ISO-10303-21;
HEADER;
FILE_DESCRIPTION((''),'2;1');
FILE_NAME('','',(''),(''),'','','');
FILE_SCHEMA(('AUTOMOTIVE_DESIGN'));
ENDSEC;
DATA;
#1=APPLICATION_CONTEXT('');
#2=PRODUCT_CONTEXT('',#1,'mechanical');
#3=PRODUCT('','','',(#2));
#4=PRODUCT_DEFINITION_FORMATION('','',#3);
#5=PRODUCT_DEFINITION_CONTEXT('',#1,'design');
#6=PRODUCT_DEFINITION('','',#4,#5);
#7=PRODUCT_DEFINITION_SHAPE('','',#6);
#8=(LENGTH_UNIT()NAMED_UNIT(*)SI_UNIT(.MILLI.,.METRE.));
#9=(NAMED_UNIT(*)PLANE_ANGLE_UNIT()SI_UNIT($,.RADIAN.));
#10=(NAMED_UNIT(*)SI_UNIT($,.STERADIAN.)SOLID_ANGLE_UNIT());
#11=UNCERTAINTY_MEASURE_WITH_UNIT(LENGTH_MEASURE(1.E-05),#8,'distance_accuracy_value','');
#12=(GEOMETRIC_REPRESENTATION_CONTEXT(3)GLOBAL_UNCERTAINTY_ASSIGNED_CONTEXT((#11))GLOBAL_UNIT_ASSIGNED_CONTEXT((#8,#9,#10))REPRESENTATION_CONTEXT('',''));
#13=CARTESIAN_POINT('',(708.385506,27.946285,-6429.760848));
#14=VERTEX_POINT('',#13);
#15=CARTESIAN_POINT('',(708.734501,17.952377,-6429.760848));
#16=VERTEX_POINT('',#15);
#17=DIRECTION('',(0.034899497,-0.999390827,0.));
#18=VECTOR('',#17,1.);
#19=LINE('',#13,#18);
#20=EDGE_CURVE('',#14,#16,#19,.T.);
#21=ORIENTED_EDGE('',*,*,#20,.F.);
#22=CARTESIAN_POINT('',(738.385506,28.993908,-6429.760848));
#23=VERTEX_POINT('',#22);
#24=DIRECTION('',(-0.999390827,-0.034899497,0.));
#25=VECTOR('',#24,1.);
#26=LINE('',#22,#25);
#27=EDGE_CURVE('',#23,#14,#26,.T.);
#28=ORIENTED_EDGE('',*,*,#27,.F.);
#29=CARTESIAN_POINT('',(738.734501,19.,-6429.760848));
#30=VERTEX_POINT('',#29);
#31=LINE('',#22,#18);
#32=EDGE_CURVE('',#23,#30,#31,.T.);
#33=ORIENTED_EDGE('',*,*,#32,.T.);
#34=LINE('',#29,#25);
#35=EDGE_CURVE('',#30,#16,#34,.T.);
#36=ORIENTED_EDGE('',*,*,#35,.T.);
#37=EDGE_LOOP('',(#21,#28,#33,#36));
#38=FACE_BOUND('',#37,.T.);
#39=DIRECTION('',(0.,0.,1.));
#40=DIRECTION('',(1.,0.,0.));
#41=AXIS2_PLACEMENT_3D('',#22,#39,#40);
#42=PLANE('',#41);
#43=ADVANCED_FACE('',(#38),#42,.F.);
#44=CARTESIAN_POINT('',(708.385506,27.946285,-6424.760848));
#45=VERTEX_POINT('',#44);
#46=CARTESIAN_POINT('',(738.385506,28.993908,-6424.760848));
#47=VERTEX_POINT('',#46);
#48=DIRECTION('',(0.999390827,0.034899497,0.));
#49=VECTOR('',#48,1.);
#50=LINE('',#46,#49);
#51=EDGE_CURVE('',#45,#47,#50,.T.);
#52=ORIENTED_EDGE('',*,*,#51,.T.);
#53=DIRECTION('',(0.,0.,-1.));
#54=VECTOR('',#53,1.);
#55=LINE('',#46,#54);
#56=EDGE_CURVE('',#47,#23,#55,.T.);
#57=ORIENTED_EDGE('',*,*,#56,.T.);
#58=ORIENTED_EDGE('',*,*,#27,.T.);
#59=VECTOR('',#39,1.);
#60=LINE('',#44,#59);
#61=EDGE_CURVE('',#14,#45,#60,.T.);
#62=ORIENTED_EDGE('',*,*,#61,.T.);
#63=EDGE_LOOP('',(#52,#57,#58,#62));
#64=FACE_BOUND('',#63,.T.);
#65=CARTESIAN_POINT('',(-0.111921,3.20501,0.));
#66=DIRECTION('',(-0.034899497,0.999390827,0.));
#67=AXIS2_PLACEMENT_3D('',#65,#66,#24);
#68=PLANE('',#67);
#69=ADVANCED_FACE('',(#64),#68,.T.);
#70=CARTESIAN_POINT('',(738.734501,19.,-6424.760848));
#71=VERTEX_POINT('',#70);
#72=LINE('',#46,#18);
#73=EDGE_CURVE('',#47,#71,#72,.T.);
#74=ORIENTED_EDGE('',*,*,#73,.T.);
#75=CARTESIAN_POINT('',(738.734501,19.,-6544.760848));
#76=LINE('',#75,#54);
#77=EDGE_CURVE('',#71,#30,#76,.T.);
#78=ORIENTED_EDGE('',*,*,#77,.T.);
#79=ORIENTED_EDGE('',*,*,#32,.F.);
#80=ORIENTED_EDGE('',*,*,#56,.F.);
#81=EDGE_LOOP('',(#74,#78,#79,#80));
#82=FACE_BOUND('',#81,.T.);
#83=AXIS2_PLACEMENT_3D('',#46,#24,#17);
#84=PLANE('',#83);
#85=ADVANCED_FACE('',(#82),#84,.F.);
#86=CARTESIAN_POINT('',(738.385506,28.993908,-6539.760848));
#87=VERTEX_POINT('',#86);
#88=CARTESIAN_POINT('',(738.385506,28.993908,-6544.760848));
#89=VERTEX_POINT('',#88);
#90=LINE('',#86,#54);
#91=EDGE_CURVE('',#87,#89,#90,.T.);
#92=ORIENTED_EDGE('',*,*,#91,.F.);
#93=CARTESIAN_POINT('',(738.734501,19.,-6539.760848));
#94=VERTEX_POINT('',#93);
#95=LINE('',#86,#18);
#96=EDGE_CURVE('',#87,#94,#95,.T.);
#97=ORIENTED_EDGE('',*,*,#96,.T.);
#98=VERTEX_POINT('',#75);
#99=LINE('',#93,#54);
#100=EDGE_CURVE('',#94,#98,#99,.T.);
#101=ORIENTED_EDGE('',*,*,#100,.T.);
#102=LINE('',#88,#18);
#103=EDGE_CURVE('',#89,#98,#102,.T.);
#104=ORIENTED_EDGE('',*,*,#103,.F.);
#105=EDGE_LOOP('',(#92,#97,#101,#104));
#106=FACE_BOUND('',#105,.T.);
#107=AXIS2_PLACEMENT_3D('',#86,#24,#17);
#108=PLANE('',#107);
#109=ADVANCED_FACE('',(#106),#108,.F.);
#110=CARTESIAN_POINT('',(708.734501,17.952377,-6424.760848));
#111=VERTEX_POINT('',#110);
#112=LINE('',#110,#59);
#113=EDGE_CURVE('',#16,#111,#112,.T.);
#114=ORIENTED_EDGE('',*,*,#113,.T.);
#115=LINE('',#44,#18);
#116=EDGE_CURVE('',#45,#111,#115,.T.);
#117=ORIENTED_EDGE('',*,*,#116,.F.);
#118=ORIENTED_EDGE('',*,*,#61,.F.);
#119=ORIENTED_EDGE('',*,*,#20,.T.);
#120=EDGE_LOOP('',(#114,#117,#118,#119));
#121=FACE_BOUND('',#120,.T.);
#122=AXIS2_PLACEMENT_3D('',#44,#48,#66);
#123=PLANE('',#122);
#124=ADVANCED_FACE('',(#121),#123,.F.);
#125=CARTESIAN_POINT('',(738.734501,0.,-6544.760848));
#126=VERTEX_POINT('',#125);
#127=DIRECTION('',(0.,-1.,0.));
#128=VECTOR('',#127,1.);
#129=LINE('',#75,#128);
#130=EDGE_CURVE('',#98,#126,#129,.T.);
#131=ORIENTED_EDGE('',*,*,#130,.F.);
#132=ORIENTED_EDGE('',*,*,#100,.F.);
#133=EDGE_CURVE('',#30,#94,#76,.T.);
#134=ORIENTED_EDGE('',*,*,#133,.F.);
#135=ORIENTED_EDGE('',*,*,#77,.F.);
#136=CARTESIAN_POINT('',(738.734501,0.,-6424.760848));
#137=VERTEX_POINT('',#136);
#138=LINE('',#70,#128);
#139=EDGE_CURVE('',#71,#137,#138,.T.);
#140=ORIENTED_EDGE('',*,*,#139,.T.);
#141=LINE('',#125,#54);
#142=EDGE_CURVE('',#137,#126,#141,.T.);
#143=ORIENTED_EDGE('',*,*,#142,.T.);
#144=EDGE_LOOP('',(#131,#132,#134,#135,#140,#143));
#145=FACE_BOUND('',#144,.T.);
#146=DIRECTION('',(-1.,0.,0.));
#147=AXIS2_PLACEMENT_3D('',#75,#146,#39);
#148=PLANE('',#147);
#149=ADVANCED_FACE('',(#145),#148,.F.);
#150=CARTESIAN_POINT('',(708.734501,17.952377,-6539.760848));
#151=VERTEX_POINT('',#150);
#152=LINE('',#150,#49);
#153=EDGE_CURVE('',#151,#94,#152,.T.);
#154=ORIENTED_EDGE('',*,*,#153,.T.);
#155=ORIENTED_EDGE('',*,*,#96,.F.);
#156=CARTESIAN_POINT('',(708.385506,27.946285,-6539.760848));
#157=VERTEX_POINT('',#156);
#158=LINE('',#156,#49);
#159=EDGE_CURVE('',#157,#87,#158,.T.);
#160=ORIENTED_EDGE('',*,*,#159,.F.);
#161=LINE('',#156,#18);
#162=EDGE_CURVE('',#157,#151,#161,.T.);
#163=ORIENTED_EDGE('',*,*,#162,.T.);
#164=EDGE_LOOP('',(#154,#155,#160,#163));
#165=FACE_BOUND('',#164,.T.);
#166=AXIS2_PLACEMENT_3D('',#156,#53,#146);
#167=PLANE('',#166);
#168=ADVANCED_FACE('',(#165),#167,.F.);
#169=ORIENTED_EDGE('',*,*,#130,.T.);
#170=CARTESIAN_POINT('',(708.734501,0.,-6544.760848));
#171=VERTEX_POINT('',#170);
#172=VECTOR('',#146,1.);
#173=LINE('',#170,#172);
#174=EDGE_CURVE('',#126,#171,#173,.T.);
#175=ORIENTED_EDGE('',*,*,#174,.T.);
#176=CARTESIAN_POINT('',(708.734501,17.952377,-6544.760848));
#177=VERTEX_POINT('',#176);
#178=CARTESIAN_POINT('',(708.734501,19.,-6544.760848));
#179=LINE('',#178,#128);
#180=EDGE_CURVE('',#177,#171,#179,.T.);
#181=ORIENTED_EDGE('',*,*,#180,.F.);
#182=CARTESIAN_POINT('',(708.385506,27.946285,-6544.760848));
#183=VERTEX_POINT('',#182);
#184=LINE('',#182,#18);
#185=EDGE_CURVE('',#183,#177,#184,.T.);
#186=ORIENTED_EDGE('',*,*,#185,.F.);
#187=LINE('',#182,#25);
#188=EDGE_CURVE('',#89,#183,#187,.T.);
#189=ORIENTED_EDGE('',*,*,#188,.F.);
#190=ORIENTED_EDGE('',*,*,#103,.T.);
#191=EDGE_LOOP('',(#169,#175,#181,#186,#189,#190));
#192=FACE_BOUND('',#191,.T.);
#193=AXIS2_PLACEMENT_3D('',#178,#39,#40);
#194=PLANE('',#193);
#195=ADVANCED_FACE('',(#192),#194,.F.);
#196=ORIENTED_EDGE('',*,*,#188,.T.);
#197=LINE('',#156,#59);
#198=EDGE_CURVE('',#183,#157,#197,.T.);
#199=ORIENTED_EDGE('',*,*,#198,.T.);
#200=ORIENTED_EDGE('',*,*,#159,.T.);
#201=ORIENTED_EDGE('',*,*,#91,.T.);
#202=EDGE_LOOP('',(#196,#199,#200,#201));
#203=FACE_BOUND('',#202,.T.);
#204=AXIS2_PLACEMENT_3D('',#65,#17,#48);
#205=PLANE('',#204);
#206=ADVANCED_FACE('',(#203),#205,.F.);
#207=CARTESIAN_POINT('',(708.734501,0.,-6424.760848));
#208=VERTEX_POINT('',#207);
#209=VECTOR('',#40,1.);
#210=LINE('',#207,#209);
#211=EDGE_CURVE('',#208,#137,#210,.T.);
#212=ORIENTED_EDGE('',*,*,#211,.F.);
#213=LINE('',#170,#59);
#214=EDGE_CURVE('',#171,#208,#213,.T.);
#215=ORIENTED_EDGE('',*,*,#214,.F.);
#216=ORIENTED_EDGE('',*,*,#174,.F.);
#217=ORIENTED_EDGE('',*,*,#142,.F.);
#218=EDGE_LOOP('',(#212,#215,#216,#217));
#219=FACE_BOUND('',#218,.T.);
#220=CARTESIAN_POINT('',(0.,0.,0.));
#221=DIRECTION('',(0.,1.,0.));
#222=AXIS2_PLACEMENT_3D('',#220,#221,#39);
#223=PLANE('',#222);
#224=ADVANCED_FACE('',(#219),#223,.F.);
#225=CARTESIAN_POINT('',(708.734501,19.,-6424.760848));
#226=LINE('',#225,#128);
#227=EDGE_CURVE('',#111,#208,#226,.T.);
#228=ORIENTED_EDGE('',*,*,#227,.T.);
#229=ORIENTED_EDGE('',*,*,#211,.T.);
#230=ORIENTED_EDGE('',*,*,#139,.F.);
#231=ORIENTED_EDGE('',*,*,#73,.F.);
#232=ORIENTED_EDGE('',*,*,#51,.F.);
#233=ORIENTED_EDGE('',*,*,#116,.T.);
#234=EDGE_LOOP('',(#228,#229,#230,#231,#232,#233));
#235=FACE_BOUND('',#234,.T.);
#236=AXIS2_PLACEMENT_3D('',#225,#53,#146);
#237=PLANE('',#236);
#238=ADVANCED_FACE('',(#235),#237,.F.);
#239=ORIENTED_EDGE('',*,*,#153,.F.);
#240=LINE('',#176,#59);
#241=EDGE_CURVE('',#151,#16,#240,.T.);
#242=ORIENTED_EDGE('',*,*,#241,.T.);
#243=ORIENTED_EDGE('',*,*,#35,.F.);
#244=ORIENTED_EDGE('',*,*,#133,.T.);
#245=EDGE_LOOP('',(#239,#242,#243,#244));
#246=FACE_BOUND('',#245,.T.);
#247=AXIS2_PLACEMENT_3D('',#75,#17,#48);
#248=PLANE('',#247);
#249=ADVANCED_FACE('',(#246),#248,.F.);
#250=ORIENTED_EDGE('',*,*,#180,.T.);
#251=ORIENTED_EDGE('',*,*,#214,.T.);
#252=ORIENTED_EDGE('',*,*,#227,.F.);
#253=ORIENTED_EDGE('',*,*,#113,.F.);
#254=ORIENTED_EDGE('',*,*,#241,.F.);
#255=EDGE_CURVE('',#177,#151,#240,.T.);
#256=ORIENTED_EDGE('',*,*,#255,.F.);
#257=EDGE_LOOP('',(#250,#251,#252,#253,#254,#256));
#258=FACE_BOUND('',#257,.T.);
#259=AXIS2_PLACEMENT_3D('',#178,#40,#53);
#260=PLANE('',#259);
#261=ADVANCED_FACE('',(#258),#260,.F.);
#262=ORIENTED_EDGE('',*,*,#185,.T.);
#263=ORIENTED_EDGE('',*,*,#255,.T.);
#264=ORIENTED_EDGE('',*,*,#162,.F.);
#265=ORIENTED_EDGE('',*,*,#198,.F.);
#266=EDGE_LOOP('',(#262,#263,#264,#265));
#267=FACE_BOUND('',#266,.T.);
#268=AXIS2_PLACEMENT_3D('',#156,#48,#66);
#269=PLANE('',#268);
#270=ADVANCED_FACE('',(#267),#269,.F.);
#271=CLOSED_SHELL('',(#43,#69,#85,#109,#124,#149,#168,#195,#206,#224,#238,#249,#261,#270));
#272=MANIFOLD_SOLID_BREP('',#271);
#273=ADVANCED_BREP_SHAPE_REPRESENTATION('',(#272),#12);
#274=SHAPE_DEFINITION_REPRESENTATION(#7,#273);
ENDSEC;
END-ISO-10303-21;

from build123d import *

# Parameters (mm, degrees)
SKETCH_1_W          = 30
SKETCH_1_H          = 120
EXTRUDE_1_DEPTH     = 19
CUT_EXTRUDE_1_DEPTH = 749.65857612
SKETCH_4_W          = 30.018286329
SKETCH_4_H          = 5
EXTRUDE_2_DEPTH     = 10


with BuildPart() as part:
    # Эскиз1 → Бобышка-Вытянуть1 (new body)
    with BuildSketch(Plane(origin=(708.734501427, 0, -6544.760847934), x_dir=(1, 0, 0), z_dir=(0, 1, 0))):
        with Locations((15, -60)):
            Rectangle(SKETCH_1_W, SKETCH_1_H)
    extrude(amount=EXTRUDE_1_DEPTH)

    # Эскиз3 → Вырез-Вытянуть1 (cut, through all)
    with BuildSketch(Plane.XY.offset(-6424.760847934)):
        Polygon((738.734501427, 19), (708.734501427, 17.952376915), (708.734501427, 19), align=None)
    extrude(amount=-CUT_EXTRUDE_1_DEPTH, mode=Mode.SUBTRACT)

    # Эскиз4 → Бобышка-Вытянуть2 (add)
    with BuildSketch(Plane(origin=(0.237073558, -6.788898449, 0), x_dir=(0.9993908270190961, 0.034899496702494016, 0), z_dir=(-0.034899496702494016, 0.9993908270190961, 0))):
        with Locations((723.938431602, 6542.260847934)):
            Rectangle(SKETCH_4_W, SKETCH_4_H)
        with Locations((723.938431602, 6427.260847934)):
            Rectangle(SKETCH_4_W, SKETCH_4_H)
    extrude(amount=EXTRUDE_2_DEPTH)


solid = part.part
